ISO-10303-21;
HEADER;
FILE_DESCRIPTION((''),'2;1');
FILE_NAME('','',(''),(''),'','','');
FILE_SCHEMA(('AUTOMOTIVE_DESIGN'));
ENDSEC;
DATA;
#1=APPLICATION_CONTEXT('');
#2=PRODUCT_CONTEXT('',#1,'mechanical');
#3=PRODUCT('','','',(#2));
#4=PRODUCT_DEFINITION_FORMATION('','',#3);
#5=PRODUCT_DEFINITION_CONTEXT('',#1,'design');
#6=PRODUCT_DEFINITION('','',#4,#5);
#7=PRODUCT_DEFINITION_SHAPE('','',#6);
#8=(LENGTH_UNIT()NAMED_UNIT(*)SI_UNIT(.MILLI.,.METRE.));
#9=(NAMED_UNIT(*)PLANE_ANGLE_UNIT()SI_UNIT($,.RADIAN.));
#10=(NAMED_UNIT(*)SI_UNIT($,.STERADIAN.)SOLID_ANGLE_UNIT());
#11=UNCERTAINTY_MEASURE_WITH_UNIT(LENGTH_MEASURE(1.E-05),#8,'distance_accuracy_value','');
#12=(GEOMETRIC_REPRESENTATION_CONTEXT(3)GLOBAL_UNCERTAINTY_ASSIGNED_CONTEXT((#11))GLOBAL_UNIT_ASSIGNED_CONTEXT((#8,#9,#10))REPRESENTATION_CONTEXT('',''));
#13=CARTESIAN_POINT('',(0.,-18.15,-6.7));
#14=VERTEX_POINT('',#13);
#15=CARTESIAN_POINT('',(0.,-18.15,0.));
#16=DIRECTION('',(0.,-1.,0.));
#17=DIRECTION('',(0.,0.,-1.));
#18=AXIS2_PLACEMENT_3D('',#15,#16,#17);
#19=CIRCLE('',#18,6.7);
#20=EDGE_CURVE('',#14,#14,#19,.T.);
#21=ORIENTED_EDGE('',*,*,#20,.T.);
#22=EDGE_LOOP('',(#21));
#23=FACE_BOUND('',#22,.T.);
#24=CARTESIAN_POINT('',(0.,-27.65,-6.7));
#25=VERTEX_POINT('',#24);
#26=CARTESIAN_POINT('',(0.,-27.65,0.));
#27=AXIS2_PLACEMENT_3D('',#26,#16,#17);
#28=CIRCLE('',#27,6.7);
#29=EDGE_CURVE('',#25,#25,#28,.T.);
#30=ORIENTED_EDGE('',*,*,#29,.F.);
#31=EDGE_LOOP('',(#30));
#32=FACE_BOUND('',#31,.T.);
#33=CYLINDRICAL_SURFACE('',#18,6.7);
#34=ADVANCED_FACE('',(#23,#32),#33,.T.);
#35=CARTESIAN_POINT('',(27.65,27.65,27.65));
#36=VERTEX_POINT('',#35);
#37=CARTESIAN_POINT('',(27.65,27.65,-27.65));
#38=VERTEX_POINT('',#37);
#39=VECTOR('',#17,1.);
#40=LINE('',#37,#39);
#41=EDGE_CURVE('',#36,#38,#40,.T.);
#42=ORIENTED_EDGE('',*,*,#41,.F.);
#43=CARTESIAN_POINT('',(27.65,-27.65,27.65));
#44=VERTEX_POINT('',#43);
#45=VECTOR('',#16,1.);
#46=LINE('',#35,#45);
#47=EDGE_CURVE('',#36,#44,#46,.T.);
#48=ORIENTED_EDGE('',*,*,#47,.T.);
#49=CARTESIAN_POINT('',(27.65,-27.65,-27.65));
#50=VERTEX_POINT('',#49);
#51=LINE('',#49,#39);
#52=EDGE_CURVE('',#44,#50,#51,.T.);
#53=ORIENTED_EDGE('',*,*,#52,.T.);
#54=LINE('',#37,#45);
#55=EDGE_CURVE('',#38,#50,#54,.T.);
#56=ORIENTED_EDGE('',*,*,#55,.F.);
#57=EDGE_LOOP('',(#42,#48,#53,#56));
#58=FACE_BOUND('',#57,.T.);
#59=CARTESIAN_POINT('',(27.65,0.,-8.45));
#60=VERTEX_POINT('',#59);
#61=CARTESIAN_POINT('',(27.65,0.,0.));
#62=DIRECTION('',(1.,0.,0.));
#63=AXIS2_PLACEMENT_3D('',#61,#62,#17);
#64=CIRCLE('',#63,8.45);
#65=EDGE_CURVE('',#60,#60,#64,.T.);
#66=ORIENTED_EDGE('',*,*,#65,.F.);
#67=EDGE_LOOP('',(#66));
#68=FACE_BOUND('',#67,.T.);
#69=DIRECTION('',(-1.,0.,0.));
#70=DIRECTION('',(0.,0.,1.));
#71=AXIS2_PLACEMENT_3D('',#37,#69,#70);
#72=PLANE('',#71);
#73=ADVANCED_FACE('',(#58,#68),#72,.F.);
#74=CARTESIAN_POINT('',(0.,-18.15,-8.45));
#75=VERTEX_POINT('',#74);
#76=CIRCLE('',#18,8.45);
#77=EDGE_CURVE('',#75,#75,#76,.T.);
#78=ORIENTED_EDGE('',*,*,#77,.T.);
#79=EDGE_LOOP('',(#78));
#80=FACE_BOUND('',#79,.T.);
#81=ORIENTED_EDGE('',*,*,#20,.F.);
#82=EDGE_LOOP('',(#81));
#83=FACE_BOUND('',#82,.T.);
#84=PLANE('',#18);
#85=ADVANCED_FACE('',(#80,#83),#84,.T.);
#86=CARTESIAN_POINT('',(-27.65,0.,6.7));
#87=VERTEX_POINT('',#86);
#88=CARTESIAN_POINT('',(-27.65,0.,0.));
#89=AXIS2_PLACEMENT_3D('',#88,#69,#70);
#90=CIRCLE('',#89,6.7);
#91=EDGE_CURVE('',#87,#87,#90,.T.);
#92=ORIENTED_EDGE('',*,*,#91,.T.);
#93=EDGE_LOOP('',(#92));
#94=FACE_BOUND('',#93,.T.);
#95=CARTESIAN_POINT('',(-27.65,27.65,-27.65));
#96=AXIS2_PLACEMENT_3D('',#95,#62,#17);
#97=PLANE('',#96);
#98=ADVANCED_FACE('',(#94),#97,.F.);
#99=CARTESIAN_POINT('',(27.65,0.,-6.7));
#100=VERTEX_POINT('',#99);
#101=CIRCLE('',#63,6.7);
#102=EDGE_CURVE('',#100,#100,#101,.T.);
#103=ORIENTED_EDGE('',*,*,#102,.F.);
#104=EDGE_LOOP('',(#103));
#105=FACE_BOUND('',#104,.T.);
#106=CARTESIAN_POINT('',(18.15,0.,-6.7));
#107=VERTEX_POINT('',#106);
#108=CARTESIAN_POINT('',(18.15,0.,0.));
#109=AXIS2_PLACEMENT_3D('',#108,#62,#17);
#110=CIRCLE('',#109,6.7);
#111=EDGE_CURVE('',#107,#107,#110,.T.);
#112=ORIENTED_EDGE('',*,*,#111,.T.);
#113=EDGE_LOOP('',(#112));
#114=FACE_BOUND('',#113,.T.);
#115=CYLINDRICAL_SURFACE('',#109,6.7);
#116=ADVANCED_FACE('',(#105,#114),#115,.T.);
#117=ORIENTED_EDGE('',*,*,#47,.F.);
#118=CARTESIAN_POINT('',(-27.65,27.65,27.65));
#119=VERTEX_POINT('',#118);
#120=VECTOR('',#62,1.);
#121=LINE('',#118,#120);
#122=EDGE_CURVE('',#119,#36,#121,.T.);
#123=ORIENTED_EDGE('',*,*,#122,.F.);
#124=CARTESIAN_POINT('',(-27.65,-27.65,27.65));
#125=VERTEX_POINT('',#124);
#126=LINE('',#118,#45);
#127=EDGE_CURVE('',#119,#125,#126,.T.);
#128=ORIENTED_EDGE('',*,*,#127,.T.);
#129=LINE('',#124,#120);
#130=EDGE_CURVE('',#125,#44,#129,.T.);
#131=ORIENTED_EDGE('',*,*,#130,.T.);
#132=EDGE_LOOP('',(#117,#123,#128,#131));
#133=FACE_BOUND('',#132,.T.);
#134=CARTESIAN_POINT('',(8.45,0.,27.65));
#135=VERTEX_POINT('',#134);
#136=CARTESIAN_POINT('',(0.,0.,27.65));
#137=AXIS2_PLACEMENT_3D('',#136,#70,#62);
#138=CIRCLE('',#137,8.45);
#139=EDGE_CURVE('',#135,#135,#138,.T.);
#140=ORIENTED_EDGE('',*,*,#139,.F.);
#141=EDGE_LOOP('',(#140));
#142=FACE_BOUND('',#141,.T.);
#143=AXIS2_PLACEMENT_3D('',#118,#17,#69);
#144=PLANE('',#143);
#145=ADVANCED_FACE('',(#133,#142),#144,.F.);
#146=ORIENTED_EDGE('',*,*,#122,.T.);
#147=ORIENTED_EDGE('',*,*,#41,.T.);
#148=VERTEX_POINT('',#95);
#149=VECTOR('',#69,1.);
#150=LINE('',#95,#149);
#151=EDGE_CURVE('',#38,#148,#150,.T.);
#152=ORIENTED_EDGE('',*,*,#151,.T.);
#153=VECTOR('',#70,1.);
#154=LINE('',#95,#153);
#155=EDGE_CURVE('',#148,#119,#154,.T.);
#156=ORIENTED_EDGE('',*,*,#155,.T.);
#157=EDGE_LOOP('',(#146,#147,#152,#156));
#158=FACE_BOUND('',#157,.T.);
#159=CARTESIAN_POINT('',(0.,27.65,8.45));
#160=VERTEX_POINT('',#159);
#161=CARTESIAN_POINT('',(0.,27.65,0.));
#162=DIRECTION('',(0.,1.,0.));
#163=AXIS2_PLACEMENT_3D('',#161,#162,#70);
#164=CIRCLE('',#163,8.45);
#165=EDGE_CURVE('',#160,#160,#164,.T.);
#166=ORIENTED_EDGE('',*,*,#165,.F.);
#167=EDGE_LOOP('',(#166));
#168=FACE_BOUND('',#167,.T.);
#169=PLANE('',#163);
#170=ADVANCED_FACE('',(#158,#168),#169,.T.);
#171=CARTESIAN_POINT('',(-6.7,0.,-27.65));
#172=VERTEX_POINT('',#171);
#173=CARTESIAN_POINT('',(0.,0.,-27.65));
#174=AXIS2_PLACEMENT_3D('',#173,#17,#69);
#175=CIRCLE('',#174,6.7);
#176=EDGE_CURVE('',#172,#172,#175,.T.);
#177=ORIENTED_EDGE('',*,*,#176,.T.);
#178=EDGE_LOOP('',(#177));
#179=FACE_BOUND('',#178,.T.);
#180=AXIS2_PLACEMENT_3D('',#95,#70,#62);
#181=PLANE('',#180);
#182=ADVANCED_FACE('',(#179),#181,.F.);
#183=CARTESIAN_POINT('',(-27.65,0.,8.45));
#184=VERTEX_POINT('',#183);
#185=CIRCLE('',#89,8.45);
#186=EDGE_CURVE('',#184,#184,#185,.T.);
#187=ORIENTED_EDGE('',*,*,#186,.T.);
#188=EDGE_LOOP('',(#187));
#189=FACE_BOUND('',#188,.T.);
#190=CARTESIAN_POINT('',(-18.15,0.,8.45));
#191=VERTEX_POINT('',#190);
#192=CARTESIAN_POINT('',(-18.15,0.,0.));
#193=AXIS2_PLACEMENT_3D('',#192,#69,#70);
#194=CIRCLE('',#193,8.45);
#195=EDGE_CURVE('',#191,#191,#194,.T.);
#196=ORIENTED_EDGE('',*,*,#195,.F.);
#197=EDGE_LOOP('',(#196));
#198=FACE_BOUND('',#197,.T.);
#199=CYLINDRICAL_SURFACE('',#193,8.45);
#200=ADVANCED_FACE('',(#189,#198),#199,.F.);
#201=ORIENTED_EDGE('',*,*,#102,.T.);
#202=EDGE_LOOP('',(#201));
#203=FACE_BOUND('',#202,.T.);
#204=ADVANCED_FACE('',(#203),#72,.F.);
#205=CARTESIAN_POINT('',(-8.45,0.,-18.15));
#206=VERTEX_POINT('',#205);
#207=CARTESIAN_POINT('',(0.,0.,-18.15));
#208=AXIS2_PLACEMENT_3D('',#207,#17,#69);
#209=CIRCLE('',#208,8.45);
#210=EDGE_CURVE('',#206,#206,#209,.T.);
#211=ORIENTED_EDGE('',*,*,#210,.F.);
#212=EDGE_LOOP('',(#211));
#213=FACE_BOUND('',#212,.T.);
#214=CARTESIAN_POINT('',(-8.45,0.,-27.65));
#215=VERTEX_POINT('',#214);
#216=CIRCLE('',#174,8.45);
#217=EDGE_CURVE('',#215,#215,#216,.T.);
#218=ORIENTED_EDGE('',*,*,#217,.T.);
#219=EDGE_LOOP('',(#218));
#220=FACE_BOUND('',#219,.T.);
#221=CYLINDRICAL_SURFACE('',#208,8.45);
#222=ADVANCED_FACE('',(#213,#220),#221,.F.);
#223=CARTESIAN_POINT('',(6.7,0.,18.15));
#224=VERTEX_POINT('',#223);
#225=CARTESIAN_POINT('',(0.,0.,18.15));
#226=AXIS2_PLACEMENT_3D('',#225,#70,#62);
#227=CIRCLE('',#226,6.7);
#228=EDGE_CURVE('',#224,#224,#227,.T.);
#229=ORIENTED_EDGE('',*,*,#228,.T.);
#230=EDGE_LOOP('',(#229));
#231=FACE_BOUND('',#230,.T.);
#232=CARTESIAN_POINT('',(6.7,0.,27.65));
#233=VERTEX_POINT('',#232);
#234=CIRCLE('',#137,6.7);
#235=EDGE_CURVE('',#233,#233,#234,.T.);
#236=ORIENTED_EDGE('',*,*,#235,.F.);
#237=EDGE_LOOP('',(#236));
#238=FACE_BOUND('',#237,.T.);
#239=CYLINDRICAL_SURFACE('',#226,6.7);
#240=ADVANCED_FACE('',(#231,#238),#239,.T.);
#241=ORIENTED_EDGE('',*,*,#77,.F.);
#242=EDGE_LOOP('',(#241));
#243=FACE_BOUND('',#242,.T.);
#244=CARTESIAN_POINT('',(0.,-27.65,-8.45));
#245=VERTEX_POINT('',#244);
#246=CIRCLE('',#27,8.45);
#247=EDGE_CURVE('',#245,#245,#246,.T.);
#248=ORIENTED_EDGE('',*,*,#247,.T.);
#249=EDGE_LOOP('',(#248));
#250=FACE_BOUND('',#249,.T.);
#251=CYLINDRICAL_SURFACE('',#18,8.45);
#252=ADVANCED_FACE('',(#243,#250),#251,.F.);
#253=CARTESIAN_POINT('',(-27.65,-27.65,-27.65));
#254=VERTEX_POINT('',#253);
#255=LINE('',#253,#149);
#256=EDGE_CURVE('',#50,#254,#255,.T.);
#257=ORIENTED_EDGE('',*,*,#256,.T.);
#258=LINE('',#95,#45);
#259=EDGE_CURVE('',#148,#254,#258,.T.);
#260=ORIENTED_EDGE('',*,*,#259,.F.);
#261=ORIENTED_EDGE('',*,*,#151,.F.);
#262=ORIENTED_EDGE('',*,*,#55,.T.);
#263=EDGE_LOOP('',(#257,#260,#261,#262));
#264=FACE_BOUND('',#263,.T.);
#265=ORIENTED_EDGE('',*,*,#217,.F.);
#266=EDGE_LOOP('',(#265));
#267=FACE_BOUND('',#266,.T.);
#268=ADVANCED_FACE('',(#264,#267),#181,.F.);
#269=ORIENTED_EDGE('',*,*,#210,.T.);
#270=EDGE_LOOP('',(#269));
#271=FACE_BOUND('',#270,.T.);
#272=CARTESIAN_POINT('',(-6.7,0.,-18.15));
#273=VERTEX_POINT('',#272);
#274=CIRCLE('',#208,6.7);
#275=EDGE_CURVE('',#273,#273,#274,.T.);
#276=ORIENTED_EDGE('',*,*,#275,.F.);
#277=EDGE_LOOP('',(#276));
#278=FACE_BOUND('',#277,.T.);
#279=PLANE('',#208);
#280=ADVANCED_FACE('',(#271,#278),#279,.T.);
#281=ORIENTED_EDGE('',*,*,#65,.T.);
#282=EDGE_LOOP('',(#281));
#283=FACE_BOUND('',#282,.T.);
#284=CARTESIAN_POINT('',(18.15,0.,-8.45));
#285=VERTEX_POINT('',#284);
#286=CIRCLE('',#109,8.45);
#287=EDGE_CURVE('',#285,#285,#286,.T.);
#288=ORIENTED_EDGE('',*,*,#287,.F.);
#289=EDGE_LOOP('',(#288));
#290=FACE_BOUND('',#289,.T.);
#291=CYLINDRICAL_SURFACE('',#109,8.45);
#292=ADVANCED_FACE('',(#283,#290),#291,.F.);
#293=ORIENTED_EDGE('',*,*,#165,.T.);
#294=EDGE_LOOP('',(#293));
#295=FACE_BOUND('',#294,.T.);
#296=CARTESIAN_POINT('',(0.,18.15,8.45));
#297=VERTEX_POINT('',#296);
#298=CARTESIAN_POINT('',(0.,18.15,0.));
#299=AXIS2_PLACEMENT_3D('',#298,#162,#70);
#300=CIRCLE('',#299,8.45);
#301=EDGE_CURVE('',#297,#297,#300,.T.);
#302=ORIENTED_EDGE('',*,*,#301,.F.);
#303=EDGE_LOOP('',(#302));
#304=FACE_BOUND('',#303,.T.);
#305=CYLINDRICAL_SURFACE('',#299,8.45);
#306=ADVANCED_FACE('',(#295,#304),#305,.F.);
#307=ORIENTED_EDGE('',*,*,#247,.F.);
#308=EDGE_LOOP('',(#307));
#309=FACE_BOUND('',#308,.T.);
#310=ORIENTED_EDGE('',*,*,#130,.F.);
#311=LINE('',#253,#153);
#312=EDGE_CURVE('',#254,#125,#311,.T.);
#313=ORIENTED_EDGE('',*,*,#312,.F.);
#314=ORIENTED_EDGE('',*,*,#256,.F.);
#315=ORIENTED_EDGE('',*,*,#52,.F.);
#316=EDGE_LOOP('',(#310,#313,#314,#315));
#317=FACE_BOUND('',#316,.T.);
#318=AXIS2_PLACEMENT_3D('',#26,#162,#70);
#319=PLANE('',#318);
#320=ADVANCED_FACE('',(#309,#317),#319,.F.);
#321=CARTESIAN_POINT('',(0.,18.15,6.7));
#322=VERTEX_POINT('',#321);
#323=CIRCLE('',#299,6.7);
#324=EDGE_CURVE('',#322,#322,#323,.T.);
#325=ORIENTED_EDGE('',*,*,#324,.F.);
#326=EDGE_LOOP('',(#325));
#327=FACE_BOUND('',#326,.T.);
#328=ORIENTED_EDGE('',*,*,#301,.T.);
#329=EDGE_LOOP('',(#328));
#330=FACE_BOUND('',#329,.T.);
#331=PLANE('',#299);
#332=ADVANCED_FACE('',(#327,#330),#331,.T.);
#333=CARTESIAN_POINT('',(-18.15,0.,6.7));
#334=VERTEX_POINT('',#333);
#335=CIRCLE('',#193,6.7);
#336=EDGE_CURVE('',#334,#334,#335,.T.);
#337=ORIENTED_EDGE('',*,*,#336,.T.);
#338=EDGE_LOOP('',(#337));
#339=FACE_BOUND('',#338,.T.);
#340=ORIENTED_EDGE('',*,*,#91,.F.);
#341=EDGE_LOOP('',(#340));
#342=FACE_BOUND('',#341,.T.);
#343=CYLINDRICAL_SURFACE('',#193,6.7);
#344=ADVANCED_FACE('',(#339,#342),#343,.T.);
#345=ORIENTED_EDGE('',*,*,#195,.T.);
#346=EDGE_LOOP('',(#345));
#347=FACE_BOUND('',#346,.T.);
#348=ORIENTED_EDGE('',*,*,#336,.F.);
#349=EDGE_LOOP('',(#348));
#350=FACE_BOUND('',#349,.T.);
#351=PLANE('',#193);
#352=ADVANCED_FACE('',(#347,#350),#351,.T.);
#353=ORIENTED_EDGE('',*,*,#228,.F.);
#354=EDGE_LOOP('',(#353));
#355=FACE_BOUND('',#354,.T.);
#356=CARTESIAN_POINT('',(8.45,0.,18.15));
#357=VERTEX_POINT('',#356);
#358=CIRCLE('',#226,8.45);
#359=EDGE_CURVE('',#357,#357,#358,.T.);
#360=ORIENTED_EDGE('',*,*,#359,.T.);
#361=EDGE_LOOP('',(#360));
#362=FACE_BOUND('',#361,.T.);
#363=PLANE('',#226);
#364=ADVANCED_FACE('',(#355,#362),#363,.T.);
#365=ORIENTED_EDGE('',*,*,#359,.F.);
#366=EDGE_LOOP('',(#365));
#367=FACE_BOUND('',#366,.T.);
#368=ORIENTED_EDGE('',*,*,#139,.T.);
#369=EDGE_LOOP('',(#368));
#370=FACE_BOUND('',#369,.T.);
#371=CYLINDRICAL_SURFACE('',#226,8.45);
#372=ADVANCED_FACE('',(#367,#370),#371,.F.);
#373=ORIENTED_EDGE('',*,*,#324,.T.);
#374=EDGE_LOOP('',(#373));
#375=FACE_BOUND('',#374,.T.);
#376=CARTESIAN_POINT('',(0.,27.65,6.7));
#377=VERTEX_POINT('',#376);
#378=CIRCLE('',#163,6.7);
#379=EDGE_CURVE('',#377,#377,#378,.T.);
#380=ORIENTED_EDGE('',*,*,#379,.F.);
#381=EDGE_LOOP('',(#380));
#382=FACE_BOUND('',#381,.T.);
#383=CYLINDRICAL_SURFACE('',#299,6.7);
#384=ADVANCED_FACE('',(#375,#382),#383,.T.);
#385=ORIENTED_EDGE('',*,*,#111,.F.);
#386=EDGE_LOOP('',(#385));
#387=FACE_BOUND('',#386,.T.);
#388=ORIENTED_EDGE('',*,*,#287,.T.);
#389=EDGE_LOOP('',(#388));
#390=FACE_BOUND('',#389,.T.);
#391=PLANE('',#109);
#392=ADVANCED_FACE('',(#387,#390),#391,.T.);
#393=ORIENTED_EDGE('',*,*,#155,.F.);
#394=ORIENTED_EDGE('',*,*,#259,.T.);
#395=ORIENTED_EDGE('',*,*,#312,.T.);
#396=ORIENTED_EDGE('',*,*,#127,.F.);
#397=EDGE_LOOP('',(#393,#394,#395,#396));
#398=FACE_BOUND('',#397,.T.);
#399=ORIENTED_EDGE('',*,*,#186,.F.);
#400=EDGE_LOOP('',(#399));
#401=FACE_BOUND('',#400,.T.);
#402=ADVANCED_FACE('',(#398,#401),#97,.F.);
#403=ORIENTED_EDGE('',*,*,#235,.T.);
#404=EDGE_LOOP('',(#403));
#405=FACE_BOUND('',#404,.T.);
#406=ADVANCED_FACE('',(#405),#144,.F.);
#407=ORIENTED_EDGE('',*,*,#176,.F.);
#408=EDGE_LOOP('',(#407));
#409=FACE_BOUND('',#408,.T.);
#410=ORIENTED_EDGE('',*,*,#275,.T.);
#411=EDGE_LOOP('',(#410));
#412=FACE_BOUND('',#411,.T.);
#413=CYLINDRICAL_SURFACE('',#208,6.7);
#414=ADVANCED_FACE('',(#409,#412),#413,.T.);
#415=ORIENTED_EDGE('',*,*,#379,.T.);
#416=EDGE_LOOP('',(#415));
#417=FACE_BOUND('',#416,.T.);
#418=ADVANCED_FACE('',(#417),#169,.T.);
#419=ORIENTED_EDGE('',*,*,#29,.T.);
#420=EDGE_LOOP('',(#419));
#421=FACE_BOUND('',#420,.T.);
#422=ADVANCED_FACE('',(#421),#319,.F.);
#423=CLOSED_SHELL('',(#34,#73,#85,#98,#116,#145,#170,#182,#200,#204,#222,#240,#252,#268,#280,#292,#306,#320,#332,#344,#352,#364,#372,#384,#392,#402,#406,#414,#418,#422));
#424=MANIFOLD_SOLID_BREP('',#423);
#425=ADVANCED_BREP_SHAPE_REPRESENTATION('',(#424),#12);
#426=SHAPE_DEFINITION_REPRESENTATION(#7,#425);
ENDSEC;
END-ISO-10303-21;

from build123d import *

# Parameters (mm, degrees)
SKETCH1_W           = 55.3
SKETCH1_H           = 55.3
BOSS_EXTRUDE1_DEPTH = 27.65
SKETCH2_R           = 8.45
SKETCH2_R_2         = 6.7
CUT_EXTRUDE2_DEPTH  = 9.5
CUT_EXTRUDE3_START  = -9.5
SKETCH3_R           = 8.45
SKETCH3_R_2         = 6.7
CUT_EXTRUDE3_DEPTH  = 9.5
SKETCH4_R           = 8.45
SKETCH4_R_2         = 6.7
CUT_EXTRUDE4_DEPTH  = 9.5
CUT_EXTRUDE5_START  = -9.5
SKETCH5_R           = 8.45
SKETCH5_R_2         = 6.7
CUT_EXTRUDE5_DEPTH  = 9.5
SKETCH6_R           = 8.45
SKETCH6_R_2         = 6.7
CUT_EXTRUDE6_DEPTH  = 9.5
CUT_EXTRUDE7_START  = -9.5
SKETCH7_R           = 8.45
SKETCH7_R_2         = 6.7
CUT_EXTRUDE7_DEPTH  = 9.5


with BuildPart() as part:
    # Sketch1 → Boss-Extrude1 (new, symmetric)
    with BuildSketch(Plane(origin=(0, 0, 0), x_dir=(1, 0, 0), z_dir=(0, 1, 0))):
        Rectangle(SKETCH1_W, SKETCH1_H)
    extrude(amount=BOSS_EXTRUDE1_DEPTH, both=True)

    # Sketch2 → Cut-Extrude2 (cut)
    with BuildSketch(Plane(origin=(0, 27.65, 0), x_dir=(1, 0, 0), z_dir=(0, 1, 0))):
        with Locations(Location((0, 0, 0), (0, 0, 270))):
            Circle(SKETCH2_R)
        with Locations(Location((0, 0, 0), (0, 0, 270))):
            Circle(SKETCH2_R_2, mode=Mode.SUBTRACT)
    extrude(amount=-CUT_EXTRUDE2_DEPTH, mode=Mode.SUBTRACT)

    # Sketch3 → Cut-Extrude3 (cut)
    with BuildSketch(Plane.XZ.offset(27.65).offset(CUT_EXTRUDE3_START)):
        with Locations(Location((0, 0, 0), (0, 0, 90))):
            Circle(SKETCH3_R)
        with Locations(Location((0, 0, 0), (0, 0, 90))):
            Circle(SKETCH3_R_2, mode=Mode.SUBTRACT)
    extrude(amount=CUT_EXTRUDE3_DEPTH, mode=Mode.SUBTRACT)

    # Sketch4 → Cut-Extrude4 (cut)
    with BuildSketch(Plane(origin=(27.65, 0, 0), x_dir=(0, 0, -1), z_dir=(1, 0, 0))):
        Circle(SKETCH4_R)
        Circle(SKETCH4_R_2, mode=Mode.SUBTRACT)
    extrude(amount=-CUT_EXTRUDE4_DEPTH, mode=Mode.SUBTRACT)

    # Sketch5 → Cut-Extrude5 (cut)
    with BuildSketch(Plane.ZY.offset(27.65).offset(CUT_EXTRUDE5_START)):
        with Locations(Location((0, 0, 0), (0, 0, 180))):
            Circle(SKETCH5_R)
        with Locations(Location((0, 0, 0), (0, 0, 180))):
            Circle(SKETCH5_R_2, mode=Mode.SUBTRACT)
    extrude(amount=CUT_EXTRUDE5_DEPTH, mode=Mode.SUBTRACT)

    # Sketch6 → Cut-Extrude6 (cut)
    with BuildSketch(Plane.XY.offset(27.65)):
        Circle(SKETCH6_R)
        Circle(SKETCH6_R_2, mode=Mode.SUBTRACT)
    extrude(amount=-CUT_EXTRUDE6_DEPTH, mode=Mode.SUBTRACT)

    # Sketch7 → Cut-Extrude7 (cut)
    with BuildSketch(Plane(origin=(0, 0, -27.65), x_dir=(-1, 0, 0), z_dir=(0, 0, -1)).offset(CUT_EXTRUDE7_START)):
        with Locations(Location((0, 0, 0), (0, 0, 180))):
            Circle(SKETCH7_R)
        with Locations(Location((0, 0, 0), (0, 0, 180))):
            Circle(SKETCH7_R_2, mode=Mode.SUBTRACT)
    extrude(amount=CUT_EXTRUDE7_DEPTH, mode=Mode.SUBTRACT)


solid = part.part
